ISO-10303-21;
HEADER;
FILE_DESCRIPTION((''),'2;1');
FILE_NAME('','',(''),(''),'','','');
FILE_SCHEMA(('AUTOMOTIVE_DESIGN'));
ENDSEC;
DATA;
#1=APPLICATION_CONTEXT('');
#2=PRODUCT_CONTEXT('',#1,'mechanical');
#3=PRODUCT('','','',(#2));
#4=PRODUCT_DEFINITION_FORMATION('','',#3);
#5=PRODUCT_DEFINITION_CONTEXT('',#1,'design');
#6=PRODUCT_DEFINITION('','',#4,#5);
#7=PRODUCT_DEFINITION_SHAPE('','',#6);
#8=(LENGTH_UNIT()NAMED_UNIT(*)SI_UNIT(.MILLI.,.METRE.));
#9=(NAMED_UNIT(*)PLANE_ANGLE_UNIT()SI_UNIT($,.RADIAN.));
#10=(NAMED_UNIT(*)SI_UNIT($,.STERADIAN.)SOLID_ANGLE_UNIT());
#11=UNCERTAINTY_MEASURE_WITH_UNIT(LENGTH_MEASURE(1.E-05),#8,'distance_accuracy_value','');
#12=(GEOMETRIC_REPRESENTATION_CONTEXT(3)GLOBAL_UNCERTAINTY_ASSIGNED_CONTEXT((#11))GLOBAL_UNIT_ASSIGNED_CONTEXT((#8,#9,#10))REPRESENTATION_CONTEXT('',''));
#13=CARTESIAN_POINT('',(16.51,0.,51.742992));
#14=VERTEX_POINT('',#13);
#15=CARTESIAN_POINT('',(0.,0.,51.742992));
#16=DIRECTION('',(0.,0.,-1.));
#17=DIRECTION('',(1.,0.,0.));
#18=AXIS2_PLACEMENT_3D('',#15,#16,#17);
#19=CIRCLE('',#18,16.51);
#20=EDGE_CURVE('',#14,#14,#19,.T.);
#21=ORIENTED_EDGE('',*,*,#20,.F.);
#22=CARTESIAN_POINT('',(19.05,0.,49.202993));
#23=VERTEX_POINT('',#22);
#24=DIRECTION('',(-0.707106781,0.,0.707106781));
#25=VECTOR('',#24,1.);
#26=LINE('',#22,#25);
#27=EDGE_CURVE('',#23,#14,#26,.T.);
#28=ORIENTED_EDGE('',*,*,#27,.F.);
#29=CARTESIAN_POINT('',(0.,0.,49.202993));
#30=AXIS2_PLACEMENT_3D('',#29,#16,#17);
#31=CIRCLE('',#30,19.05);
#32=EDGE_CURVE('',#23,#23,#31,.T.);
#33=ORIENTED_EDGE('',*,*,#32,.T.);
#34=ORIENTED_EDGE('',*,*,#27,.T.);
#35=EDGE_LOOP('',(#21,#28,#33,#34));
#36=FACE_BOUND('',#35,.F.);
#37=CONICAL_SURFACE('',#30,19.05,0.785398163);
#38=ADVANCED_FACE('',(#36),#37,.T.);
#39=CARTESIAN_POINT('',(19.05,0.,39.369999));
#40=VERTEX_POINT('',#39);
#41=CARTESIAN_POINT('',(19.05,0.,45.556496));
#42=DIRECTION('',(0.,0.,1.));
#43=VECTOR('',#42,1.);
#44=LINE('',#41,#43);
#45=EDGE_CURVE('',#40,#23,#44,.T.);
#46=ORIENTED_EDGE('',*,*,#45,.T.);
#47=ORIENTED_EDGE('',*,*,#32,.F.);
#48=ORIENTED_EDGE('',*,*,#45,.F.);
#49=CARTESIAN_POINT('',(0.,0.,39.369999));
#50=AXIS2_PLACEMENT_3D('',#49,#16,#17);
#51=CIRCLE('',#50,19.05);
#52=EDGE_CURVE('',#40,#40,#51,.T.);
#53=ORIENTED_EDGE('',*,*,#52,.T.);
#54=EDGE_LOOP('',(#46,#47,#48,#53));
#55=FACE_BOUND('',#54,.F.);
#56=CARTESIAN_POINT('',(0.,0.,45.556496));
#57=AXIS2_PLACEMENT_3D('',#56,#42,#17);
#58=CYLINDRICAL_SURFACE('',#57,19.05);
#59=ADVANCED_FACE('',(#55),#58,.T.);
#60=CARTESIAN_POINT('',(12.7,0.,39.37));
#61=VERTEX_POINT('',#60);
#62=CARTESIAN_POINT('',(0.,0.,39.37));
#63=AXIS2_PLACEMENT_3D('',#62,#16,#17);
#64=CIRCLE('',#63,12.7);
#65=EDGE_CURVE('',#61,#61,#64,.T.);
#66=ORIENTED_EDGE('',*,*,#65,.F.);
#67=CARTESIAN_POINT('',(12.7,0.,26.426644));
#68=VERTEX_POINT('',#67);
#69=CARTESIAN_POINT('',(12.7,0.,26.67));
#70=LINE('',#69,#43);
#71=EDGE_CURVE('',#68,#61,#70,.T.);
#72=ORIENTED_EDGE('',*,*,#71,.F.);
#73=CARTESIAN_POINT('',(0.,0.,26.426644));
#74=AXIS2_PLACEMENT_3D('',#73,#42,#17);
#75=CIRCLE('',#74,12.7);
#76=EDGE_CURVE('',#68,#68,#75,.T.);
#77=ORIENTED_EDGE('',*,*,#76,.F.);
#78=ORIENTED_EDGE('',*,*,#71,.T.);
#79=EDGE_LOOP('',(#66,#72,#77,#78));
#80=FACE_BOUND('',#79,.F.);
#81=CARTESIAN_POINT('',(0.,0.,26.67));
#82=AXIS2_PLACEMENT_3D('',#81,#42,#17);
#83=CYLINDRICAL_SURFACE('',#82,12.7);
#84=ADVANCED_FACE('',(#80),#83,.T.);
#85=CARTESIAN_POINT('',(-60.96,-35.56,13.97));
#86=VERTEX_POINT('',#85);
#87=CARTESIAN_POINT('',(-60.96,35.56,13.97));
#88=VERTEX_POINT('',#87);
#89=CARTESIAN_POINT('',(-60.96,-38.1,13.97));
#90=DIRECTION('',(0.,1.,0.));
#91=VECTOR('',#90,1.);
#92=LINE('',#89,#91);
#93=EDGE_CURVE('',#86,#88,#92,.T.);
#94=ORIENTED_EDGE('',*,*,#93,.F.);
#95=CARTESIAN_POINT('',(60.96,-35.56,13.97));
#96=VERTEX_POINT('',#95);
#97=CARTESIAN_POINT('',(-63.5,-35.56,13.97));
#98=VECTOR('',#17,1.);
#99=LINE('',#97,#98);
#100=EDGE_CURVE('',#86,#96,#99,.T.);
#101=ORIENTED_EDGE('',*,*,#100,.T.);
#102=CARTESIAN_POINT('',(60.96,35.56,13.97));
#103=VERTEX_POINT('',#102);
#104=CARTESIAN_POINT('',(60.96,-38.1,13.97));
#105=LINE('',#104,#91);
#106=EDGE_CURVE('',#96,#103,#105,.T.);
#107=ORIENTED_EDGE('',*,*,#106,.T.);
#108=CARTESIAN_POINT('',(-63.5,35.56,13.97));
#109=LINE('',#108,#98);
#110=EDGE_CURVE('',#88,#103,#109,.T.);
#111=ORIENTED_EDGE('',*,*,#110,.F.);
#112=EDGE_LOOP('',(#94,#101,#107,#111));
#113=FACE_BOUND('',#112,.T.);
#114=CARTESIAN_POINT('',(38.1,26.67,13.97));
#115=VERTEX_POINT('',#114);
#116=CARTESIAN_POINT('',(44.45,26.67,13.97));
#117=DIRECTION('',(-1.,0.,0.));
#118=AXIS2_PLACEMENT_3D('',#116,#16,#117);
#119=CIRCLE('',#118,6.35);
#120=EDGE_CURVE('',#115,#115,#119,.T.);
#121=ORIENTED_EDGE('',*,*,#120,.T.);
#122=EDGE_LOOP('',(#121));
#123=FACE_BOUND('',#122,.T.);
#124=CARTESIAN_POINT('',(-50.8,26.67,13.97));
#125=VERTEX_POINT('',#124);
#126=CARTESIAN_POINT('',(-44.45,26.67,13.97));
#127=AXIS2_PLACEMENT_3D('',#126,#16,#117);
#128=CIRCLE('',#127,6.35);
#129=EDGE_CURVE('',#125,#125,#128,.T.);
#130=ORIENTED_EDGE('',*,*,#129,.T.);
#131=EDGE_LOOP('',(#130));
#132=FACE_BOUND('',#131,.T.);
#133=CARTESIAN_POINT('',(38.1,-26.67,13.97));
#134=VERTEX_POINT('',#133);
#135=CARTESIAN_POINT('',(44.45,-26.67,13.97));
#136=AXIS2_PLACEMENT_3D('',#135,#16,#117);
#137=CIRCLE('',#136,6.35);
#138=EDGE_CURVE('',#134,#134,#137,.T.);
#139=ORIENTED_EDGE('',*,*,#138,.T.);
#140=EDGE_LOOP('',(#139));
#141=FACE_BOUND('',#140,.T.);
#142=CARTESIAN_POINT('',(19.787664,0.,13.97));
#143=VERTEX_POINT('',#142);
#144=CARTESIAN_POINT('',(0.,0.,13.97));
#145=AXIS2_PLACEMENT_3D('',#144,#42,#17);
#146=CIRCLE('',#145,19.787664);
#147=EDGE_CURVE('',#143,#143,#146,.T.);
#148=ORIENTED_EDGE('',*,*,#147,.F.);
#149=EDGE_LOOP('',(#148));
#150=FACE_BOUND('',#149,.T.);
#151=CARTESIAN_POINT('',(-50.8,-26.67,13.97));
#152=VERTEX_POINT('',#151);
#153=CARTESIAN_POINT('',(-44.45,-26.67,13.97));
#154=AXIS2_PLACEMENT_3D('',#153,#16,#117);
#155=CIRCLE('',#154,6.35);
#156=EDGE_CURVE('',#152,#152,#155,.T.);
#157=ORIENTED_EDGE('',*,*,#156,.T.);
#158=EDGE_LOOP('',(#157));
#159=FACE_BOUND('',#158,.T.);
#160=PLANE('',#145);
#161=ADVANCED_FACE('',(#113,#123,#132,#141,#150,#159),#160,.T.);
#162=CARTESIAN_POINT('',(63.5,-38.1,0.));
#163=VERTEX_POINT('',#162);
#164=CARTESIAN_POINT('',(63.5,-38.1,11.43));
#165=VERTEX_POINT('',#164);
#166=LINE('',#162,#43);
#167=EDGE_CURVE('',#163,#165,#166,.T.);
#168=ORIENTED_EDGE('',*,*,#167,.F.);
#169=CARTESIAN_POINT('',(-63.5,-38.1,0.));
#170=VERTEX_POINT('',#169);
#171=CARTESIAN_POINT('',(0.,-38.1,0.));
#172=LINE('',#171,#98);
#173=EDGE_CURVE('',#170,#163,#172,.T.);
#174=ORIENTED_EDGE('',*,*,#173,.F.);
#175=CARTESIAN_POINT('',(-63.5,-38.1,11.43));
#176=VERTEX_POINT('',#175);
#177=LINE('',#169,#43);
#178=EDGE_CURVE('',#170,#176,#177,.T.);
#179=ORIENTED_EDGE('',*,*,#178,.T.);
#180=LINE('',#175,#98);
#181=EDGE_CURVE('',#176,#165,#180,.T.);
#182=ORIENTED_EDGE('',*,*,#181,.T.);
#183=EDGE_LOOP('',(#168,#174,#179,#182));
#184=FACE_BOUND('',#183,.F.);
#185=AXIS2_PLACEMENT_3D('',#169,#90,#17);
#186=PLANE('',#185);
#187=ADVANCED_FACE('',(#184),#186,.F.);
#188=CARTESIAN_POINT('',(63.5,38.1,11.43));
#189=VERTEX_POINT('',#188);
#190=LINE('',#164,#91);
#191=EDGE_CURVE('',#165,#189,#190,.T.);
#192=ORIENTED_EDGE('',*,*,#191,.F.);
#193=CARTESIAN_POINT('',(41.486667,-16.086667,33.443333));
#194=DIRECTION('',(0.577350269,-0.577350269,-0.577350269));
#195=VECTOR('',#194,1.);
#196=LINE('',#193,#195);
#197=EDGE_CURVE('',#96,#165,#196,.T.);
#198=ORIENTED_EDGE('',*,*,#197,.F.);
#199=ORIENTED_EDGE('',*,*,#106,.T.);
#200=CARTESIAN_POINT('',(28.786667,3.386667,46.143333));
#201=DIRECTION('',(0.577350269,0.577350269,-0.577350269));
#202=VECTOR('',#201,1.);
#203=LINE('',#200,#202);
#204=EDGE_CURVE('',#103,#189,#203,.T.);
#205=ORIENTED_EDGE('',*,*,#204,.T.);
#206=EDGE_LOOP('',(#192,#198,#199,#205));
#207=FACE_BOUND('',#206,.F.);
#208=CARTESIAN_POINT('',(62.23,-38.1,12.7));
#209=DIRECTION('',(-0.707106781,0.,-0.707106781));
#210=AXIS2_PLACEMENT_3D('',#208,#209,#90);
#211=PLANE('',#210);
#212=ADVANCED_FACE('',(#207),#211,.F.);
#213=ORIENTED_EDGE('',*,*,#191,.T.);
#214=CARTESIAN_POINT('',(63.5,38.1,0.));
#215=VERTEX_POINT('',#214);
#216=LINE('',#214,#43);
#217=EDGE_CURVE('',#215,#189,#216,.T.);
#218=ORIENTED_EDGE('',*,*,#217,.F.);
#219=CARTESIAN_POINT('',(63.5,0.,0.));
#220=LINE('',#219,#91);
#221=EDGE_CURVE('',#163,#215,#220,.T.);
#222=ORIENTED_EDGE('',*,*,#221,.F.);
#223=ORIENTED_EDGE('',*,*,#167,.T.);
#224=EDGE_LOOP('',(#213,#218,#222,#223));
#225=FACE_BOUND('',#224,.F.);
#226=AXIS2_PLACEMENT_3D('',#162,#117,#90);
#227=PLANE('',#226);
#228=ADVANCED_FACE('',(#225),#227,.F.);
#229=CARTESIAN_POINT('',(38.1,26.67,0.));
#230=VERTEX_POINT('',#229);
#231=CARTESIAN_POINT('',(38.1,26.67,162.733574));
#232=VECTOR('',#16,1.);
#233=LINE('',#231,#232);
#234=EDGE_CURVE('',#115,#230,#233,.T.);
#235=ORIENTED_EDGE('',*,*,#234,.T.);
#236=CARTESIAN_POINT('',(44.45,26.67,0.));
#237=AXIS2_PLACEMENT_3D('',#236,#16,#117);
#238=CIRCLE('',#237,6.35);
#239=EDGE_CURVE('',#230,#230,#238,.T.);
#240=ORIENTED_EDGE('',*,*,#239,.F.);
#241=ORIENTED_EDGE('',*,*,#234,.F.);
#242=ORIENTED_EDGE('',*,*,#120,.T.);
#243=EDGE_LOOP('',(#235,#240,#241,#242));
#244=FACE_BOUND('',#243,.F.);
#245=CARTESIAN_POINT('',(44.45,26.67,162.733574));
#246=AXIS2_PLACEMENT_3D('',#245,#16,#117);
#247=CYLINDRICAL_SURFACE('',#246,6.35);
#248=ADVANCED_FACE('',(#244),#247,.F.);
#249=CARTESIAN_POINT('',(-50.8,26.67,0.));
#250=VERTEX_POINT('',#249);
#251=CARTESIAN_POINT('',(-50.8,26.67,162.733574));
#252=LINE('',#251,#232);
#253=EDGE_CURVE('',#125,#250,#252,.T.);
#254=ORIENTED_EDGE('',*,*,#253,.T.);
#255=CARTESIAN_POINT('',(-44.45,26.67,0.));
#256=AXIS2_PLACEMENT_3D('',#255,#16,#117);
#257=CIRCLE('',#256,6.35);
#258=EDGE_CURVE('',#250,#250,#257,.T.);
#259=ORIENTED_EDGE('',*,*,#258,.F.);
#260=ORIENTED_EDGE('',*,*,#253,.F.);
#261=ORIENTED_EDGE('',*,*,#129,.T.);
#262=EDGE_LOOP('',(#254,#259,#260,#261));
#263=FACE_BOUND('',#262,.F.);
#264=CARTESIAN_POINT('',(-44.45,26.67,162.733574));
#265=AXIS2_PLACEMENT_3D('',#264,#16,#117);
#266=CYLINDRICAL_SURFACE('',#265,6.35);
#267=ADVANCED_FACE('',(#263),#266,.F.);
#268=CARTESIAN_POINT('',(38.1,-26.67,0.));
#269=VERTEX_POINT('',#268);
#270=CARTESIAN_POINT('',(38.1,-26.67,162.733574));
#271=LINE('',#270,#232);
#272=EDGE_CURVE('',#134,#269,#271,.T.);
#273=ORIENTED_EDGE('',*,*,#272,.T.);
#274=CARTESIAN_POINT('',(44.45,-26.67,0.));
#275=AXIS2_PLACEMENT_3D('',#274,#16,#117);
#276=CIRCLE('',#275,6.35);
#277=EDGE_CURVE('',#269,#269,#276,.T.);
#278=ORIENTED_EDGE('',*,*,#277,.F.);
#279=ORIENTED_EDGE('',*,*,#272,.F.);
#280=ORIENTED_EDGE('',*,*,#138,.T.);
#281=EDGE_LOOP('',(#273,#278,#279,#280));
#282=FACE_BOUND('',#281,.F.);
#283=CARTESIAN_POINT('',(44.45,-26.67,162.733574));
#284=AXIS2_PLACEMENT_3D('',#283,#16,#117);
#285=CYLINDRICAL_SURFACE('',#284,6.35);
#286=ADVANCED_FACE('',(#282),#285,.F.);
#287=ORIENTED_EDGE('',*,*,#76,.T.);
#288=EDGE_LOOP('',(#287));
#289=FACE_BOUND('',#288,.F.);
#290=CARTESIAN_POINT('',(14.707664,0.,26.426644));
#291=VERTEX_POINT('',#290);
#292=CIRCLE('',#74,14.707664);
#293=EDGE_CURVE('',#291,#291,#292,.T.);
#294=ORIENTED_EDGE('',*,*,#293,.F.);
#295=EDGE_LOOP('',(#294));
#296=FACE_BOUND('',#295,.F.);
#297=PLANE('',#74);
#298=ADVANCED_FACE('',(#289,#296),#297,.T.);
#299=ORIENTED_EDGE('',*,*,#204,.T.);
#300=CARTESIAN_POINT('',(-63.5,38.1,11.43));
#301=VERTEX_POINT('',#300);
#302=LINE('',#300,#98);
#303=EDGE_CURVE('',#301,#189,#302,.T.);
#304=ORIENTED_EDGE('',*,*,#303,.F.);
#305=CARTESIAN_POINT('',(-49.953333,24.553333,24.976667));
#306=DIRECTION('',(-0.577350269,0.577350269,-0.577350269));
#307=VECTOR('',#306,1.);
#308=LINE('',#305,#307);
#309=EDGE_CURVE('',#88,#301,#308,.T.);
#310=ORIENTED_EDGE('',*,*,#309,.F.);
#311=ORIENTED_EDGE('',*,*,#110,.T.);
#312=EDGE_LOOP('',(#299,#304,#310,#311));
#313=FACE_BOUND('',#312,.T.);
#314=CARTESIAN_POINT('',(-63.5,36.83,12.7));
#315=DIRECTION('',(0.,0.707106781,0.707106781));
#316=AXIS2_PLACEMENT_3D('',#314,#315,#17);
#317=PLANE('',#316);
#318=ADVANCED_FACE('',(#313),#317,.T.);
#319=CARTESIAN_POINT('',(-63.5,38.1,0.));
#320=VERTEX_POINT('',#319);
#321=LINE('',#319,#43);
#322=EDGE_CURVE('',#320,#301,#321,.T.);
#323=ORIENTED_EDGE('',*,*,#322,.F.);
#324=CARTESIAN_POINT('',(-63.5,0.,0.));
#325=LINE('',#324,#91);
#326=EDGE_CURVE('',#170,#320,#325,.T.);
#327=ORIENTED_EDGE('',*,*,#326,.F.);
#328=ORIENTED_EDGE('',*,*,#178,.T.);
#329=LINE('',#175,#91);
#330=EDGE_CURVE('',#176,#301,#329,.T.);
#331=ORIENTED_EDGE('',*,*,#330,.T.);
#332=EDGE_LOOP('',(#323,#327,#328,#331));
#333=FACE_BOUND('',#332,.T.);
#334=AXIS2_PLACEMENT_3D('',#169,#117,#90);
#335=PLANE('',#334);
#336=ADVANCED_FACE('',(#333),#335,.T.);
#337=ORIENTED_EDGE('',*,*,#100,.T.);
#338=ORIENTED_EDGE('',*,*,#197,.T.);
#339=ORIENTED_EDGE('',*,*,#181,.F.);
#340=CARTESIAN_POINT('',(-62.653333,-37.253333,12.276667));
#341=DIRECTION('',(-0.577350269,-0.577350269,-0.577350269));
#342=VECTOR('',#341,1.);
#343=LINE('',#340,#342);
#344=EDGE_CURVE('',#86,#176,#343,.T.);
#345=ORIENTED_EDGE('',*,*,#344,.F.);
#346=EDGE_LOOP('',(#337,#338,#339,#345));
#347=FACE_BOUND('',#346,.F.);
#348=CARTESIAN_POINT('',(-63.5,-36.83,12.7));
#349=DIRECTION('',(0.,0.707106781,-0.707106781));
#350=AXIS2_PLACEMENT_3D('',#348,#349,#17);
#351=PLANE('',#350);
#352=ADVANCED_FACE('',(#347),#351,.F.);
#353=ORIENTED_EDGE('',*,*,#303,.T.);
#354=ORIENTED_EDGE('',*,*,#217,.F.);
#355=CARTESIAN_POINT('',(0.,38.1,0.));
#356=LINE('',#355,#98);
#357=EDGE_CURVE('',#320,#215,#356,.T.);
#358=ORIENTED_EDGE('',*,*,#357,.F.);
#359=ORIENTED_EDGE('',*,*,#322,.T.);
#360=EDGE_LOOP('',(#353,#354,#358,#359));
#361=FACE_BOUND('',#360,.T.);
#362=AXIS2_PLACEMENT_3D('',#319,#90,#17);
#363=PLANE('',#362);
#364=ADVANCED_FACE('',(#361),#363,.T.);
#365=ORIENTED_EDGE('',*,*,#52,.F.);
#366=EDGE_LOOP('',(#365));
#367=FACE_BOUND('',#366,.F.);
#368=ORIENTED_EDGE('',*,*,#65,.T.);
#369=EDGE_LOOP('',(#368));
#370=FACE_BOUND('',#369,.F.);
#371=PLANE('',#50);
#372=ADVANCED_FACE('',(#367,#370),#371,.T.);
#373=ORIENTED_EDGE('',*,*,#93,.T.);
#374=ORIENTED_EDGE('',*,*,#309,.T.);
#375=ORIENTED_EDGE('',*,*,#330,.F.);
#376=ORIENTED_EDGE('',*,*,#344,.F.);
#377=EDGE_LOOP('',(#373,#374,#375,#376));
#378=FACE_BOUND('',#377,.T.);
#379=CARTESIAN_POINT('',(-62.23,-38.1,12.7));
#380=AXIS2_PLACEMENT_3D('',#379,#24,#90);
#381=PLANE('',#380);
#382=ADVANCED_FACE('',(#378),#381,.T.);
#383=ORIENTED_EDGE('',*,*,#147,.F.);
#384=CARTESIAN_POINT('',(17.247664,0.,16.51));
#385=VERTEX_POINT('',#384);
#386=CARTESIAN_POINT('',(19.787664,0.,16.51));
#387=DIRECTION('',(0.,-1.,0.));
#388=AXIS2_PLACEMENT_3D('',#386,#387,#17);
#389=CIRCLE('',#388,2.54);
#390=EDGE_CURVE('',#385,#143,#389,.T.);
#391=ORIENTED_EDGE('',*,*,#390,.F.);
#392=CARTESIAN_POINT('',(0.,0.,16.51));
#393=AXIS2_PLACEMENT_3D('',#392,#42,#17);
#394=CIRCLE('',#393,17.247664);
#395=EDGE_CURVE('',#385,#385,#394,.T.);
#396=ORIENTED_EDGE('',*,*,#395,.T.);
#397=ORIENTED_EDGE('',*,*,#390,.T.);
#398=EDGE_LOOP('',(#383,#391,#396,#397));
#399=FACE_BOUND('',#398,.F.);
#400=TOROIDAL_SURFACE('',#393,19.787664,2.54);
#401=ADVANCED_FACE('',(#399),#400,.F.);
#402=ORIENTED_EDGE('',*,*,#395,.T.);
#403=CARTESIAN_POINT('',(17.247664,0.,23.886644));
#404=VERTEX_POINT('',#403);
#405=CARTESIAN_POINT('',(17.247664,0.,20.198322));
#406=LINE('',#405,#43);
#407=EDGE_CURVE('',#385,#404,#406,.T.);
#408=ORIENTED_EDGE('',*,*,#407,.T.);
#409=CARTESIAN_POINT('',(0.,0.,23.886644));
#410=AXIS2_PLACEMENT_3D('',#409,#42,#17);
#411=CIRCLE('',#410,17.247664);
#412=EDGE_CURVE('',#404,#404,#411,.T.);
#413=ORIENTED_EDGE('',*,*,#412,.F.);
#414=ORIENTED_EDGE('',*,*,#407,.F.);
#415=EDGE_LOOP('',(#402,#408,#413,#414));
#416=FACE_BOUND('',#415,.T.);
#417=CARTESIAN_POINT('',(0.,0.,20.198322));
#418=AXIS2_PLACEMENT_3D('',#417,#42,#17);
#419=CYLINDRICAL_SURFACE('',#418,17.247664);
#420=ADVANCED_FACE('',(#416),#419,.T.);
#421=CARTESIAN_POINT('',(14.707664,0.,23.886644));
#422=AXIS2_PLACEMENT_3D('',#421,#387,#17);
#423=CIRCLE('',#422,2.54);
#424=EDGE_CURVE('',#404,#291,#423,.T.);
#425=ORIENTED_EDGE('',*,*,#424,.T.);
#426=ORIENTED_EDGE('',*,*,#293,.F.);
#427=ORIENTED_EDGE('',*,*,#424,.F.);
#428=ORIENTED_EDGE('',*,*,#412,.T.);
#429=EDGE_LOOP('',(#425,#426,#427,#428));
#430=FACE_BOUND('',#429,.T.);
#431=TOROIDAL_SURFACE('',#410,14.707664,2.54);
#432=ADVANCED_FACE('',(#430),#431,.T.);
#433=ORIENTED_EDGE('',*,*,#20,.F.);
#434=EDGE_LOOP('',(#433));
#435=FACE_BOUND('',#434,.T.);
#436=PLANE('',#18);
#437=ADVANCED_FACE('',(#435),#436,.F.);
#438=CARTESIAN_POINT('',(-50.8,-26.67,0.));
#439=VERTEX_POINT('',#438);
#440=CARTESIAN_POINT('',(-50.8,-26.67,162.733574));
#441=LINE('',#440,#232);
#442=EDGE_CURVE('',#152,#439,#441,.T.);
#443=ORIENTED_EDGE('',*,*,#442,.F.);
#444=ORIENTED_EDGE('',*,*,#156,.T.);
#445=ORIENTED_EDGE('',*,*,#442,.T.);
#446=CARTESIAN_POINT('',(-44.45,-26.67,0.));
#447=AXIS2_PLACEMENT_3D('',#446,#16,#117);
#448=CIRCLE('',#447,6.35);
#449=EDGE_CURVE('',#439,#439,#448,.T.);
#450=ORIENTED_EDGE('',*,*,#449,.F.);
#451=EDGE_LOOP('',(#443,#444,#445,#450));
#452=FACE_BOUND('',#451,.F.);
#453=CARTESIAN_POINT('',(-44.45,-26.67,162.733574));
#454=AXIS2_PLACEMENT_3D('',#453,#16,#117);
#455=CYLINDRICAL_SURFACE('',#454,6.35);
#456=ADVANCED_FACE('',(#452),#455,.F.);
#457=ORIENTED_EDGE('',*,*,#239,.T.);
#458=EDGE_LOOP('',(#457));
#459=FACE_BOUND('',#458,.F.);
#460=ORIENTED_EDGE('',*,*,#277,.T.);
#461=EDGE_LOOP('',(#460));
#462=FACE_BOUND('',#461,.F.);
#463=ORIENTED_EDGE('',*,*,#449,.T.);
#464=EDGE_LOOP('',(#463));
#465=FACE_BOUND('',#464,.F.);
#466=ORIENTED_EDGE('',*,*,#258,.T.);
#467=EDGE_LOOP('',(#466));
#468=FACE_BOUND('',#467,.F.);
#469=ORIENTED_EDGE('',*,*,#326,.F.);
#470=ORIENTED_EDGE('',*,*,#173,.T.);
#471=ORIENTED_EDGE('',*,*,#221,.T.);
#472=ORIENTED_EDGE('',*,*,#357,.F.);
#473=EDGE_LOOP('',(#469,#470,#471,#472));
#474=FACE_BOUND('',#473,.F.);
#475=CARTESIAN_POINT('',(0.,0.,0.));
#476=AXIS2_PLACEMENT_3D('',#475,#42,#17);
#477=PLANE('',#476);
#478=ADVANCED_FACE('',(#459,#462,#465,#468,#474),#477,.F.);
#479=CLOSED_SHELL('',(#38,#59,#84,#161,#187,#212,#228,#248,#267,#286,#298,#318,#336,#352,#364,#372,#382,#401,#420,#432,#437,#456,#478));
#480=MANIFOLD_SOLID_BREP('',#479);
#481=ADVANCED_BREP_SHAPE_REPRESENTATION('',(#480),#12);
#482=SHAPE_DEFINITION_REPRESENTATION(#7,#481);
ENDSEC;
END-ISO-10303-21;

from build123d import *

# Parameters (mm, degrees)
F0_W     = 127
F0_H     = 76.2
F1_DEPTH = 13.97
F3_D     = 12.7
F4_W     = 12.7
F4_H     = 25.4
F6_W     = 19.05
F6_H     = 12.372993
F8_W     = 9.582032
F8_H     = 12.456644
F10_R    = 2.54
F11_SIZE = 2.54
F12_SIZE = 2.54


with BuildPart() as f1:
    # F0 (on Top) → F1 (new body)
    with BuildSketch(Plane.XY):
        Rectangle(F0_W, F0_H)
    extrude(amount=F1_DEPTH)

    # F3 (through all)
    with Locations(Plane.XY.offset(13.97)):
        with Locations((-44.45, 26.67), (-44.45, -26.67), (44.45, 26.67), (44.45, -26.67)):
            Hole(F3_D / 2)

    # F4 (on Front) → F5 (revolve)
    with BuildSketch(Plane.XZ):
        with Locations((6.35, 26.67)):
            Rectangle(F4_W, F4_H)
    revolve(axis=Axis((0, 0, 26.67), (0, 0, -1)))

    # F6 (on Front) → F7 (revolve)
    with BuildSketch(Plane.XZ):
        with Locations((9.525, 45.556496)):
            Rectangle(F6_W, F6_H)
    revolve(axis=Axis((0, 0, 45.556497), (0, 0, -1)))

    # F8 (on Front) → F9 (revolve)
    with BuildSketch(Plane.XZ):
        with Locations((12.456648, 20.198322)):
            Rectangle(F8_W, F8_H)
    revolve(axis=Axis((0, 0, 13.97), (0, 0, 1)))

    # F10
    f10_edges = [f1.edges().sort_by_distance(p)[0] for p in [
        (-17.247664, 0, 26.426644),
        (-17.247664, 0, 13.97),
        (17.247664, 0, 20.198322),
    ]]
    fillet(f10_edges, radius=F10_R)

    # F11
    f11_edges = [f1.edges().sort_by_distance(p)[0] for p in [
        (-19.05, 0, 51.742993),
    ]]
    chamfer(f11_edges, length=F11_SIZE)

    # F12
    f12_edges = [f1.edges().sort_by_distance(p)[0] for p in [
        (0, -38.1, 13.97),
        (-63.5, 0, 13.97),
        (0, 38.1, 13.97),
        (63.5, 0, 13.97),
    ]]
    chamfer(f12_edges, length=F12_SIZE)


solid = f1.part
